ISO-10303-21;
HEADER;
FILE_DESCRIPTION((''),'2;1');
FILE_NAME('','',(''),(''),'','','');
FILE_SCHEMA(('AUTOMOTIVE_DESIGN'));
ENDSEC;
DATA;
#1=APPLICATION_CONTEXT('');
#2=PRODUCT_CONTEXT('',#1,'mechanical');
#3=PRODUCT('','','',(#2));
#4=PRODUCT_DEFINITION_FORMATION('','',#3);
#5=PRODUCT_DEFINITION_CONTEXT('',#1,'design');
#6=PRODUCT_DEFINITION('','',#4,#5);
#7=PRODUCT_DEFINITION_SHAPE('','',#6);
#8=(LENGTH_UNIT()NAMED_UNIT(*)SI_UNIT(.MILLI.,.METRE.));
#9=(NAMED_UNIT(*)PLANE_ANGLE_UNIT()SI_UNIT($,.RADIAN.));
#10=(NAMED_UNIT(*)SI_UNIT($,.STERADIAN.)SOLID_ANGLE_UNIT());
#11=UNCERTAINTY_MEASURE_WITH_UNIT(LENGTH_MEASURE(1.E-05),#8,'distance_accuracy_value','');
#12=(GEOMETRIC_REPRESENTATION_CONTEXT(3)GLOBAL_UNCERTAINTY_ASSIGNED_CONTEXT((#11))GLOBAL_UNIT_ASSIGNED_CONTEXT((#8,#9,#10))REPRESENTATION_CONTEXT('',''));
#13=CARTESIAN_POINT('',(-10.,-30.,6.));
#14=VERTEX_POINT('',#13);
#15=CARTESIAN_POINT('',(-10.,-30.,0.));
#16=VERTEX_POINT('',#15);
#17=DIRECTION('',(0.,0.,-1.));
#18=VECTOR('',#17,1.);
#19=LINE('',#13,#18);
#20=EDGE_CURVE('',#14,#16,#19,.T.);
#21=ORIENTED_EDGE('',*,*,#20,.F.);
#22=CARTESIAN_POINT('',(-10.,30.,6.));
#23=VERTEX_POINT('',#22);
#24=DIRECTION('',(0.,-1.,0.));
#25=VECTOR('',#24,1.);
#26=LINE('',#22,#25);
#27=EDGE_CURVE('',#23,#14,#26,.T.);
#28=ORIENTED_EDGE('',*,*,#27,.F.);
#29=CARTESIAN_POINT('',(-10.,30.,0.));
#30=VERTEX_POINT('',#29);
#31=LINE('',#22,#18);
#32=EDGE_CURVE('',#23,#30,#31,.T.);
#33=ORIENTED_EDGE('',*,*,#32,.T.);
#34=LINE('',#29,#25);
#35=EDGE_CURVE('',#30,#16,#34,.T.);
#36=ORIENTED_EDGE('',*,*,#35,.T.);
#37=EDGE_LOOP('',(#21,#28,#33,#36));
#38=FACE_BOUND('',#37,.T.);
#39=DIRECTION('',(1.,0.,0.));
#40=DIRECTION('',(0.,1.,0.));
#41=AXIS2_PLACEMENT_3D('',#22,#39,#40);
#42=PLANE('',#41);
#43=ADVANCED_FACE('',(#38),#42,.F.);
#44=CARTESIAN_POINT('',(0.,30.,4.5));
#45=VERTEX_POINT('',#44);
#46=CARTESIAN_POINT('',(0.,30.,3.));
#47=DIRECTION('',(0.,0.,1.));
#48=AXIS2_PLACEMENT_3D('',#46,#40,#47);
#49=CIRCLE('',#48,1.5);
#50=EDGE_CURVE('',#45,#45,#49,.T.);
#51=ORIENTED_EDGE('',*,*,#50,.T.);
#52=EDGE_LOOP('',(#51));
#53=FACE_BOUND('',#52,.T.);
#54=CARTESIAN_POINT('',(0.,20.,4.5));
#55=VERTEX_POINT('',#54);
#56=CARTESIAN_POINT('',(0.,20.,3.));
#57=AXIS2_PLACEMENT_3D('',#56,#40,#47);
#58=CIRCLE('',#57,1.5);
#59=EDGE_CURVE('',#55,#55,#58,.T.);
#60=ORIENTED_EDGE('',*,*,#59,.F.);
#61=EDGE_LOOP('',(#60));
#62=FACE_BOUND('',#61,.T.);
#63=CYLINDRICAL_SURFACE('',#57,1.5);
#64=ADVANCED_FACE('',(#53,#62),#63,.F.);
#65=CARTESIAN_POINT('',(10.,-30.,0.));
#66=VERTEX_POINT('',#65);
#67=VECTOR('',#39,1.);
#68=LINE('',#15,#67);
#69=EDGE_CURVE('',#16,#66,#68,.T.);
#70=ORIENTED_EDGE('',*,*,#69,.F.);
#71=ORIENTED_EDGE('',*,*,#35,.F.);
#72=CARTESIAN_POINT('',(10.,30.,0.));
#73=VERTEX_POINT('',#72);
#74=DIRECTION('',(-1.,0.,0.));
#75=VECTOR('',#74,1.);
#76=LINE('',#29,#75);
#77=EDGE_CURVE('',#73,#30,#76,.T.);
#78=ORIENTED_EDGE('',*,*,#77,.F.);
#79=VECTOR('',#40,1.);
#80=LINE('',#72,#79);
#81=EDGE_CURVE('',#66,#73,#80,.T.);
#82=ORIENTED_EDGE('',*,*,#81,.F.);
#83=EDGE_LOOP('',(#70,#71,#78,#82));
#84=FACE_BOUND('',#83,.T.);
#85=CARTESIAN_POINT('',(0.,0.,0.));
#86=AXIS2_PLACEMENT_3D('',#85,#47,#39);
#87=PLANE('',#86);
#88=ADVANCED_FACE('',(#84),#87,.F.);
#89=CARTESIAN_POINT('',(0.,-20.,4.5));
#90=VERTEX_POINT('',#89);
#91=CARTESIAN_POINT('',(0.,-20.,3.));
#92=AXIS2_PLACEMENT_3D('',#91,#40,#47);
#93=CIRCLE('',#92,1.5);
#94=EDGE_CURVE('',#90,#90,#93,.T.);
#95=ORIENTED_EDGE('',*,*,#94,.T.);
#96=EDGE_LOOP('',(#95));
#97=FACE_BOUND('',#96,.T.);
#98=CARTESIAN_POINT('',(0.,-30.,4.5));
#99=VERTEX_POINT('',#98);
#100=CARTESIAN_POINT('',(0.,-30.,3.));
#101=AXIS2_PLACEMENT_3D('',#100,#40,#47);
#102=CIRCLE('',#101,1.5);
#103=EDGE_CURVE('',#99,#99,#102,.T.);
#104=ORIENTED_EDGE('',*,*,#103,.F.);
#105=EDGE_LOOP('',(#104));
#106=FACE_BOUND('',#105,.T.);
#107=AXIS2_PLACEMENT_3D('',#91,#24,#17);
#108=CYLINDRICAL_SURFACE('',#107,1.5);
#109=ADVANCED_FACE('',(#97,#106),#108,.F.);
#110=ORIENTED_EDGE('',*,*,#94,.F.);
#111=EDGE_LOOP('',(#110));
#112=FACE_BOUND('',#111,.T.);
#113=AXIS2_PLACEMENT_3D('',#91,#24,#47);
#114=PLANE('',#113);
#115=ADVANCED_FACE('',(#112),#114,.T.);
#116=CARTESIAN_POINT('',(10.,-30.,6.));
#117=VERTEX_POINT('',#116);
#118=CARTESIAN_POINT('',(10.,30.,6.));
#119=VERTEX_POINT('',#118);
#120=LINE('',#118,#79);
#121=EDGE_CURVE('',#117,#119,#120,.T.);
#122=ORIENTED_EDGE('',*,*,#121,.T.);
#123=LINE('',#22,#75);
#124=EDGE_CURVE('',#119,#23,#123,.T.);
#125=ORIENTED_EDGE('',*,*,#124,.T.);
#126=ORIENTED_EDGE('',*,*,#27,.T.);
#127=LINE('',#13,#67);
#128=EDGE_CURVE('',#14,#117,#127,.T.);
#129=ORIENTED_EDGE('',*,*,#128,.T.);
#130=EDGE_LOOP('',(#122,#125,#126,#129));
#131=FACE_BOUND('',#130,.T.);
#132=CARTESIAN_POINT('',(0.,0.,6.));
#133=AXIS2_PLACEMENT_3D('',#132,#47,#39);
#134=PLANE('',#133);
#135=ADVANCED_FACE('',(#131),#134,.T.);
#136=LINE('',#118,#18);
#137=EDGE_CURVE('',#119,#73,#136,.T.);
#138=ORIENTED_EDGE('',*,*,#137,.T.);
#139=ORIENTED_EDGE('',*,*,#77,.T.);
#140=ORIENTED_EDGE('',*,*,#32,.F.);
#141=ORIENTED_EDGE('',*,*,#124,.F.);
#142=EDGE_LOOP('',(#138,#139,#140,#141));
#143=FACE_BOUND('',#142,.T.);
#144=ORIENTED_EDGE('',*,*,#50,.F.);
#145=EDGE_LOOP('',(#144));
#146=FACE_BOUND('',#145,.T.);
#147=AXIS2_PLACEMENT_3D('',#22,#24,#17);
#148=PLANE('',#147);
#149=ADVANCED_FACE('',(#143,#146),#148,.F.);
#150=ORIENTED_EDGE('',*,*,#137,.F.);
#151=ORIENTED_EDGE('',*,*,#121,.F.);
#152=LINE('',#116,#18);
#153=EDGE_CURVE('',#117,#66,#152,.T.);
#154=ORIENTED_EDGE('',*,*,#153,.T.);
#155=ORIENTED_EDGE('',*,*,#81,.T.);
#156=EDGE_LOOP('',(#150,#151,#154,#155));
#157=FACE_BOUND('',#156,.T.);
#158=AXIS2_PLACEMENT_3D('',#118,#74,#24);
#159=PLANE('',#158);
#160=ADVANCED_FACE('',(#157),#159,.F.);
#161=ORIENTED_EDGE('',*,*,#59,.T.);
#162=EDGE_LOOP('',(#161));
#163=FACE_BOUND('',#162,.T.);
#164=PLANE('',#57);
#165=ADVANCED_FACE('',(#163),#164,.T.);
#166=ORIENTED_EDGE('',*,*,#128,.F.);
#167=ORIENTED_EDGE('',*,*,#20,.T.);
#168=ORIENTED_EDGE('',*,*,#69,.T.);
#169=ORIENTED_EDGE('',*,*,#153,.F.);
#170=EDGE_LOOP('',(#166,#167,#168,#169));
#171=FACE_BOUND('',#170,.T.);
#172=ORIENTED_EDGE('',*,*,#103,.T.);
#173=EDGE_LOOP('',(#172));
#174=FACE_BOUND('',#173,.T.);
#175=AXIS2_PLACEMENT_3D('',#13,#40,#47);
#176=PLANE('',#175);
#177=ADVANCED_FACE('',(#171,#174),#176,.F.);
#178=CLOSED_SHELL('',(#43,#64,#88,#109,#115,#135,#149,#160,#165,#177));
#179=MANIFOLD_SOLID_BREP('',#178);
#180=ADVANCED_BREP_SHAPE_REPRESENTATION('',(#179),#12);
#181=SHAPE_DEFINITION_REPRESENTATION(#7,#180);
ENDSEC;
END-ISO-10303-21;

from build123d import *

# Parameters (mm, degrees)
SKETCH1_W           = 20
SKETCH1_H           = 60
BOSS_EXTRUDE1_DEPTH = 6
SKETCH2_R           = 1.5
CUT_EXTRUDE1_DEPTH  = 10


with BuildPart() as part:
    # Sketch1 → Boss-Extrude1 (new body)
    with BuildSketch(Plane.XY):
        Rectangle(SKETCH1_W, SKETCH1_H)
    extrude(amount=BOSS_EXTRUDE1_DEPTH)

    # Sketch2 → Cut-Extrude1 (cut)
    with BuildSketch(Plane(origin=(0, 30, 0), x_dir=(1, 0, 0), z_dir=(0, 1, 0))):
        with Locations((0, -3)):
            Circle(SKETCH2_R)
    cut_extrude1 = extrude(amount=-CUT_EXTRUDE1_DEPTH, mode=Mode.SUBTRACT)

    # Mirror1: Cut-Extrude1 across plane
    add(cut_extrude1.mirror(Plane.ZX), mode=Mode.SUBTRACT)


solid = part.part
